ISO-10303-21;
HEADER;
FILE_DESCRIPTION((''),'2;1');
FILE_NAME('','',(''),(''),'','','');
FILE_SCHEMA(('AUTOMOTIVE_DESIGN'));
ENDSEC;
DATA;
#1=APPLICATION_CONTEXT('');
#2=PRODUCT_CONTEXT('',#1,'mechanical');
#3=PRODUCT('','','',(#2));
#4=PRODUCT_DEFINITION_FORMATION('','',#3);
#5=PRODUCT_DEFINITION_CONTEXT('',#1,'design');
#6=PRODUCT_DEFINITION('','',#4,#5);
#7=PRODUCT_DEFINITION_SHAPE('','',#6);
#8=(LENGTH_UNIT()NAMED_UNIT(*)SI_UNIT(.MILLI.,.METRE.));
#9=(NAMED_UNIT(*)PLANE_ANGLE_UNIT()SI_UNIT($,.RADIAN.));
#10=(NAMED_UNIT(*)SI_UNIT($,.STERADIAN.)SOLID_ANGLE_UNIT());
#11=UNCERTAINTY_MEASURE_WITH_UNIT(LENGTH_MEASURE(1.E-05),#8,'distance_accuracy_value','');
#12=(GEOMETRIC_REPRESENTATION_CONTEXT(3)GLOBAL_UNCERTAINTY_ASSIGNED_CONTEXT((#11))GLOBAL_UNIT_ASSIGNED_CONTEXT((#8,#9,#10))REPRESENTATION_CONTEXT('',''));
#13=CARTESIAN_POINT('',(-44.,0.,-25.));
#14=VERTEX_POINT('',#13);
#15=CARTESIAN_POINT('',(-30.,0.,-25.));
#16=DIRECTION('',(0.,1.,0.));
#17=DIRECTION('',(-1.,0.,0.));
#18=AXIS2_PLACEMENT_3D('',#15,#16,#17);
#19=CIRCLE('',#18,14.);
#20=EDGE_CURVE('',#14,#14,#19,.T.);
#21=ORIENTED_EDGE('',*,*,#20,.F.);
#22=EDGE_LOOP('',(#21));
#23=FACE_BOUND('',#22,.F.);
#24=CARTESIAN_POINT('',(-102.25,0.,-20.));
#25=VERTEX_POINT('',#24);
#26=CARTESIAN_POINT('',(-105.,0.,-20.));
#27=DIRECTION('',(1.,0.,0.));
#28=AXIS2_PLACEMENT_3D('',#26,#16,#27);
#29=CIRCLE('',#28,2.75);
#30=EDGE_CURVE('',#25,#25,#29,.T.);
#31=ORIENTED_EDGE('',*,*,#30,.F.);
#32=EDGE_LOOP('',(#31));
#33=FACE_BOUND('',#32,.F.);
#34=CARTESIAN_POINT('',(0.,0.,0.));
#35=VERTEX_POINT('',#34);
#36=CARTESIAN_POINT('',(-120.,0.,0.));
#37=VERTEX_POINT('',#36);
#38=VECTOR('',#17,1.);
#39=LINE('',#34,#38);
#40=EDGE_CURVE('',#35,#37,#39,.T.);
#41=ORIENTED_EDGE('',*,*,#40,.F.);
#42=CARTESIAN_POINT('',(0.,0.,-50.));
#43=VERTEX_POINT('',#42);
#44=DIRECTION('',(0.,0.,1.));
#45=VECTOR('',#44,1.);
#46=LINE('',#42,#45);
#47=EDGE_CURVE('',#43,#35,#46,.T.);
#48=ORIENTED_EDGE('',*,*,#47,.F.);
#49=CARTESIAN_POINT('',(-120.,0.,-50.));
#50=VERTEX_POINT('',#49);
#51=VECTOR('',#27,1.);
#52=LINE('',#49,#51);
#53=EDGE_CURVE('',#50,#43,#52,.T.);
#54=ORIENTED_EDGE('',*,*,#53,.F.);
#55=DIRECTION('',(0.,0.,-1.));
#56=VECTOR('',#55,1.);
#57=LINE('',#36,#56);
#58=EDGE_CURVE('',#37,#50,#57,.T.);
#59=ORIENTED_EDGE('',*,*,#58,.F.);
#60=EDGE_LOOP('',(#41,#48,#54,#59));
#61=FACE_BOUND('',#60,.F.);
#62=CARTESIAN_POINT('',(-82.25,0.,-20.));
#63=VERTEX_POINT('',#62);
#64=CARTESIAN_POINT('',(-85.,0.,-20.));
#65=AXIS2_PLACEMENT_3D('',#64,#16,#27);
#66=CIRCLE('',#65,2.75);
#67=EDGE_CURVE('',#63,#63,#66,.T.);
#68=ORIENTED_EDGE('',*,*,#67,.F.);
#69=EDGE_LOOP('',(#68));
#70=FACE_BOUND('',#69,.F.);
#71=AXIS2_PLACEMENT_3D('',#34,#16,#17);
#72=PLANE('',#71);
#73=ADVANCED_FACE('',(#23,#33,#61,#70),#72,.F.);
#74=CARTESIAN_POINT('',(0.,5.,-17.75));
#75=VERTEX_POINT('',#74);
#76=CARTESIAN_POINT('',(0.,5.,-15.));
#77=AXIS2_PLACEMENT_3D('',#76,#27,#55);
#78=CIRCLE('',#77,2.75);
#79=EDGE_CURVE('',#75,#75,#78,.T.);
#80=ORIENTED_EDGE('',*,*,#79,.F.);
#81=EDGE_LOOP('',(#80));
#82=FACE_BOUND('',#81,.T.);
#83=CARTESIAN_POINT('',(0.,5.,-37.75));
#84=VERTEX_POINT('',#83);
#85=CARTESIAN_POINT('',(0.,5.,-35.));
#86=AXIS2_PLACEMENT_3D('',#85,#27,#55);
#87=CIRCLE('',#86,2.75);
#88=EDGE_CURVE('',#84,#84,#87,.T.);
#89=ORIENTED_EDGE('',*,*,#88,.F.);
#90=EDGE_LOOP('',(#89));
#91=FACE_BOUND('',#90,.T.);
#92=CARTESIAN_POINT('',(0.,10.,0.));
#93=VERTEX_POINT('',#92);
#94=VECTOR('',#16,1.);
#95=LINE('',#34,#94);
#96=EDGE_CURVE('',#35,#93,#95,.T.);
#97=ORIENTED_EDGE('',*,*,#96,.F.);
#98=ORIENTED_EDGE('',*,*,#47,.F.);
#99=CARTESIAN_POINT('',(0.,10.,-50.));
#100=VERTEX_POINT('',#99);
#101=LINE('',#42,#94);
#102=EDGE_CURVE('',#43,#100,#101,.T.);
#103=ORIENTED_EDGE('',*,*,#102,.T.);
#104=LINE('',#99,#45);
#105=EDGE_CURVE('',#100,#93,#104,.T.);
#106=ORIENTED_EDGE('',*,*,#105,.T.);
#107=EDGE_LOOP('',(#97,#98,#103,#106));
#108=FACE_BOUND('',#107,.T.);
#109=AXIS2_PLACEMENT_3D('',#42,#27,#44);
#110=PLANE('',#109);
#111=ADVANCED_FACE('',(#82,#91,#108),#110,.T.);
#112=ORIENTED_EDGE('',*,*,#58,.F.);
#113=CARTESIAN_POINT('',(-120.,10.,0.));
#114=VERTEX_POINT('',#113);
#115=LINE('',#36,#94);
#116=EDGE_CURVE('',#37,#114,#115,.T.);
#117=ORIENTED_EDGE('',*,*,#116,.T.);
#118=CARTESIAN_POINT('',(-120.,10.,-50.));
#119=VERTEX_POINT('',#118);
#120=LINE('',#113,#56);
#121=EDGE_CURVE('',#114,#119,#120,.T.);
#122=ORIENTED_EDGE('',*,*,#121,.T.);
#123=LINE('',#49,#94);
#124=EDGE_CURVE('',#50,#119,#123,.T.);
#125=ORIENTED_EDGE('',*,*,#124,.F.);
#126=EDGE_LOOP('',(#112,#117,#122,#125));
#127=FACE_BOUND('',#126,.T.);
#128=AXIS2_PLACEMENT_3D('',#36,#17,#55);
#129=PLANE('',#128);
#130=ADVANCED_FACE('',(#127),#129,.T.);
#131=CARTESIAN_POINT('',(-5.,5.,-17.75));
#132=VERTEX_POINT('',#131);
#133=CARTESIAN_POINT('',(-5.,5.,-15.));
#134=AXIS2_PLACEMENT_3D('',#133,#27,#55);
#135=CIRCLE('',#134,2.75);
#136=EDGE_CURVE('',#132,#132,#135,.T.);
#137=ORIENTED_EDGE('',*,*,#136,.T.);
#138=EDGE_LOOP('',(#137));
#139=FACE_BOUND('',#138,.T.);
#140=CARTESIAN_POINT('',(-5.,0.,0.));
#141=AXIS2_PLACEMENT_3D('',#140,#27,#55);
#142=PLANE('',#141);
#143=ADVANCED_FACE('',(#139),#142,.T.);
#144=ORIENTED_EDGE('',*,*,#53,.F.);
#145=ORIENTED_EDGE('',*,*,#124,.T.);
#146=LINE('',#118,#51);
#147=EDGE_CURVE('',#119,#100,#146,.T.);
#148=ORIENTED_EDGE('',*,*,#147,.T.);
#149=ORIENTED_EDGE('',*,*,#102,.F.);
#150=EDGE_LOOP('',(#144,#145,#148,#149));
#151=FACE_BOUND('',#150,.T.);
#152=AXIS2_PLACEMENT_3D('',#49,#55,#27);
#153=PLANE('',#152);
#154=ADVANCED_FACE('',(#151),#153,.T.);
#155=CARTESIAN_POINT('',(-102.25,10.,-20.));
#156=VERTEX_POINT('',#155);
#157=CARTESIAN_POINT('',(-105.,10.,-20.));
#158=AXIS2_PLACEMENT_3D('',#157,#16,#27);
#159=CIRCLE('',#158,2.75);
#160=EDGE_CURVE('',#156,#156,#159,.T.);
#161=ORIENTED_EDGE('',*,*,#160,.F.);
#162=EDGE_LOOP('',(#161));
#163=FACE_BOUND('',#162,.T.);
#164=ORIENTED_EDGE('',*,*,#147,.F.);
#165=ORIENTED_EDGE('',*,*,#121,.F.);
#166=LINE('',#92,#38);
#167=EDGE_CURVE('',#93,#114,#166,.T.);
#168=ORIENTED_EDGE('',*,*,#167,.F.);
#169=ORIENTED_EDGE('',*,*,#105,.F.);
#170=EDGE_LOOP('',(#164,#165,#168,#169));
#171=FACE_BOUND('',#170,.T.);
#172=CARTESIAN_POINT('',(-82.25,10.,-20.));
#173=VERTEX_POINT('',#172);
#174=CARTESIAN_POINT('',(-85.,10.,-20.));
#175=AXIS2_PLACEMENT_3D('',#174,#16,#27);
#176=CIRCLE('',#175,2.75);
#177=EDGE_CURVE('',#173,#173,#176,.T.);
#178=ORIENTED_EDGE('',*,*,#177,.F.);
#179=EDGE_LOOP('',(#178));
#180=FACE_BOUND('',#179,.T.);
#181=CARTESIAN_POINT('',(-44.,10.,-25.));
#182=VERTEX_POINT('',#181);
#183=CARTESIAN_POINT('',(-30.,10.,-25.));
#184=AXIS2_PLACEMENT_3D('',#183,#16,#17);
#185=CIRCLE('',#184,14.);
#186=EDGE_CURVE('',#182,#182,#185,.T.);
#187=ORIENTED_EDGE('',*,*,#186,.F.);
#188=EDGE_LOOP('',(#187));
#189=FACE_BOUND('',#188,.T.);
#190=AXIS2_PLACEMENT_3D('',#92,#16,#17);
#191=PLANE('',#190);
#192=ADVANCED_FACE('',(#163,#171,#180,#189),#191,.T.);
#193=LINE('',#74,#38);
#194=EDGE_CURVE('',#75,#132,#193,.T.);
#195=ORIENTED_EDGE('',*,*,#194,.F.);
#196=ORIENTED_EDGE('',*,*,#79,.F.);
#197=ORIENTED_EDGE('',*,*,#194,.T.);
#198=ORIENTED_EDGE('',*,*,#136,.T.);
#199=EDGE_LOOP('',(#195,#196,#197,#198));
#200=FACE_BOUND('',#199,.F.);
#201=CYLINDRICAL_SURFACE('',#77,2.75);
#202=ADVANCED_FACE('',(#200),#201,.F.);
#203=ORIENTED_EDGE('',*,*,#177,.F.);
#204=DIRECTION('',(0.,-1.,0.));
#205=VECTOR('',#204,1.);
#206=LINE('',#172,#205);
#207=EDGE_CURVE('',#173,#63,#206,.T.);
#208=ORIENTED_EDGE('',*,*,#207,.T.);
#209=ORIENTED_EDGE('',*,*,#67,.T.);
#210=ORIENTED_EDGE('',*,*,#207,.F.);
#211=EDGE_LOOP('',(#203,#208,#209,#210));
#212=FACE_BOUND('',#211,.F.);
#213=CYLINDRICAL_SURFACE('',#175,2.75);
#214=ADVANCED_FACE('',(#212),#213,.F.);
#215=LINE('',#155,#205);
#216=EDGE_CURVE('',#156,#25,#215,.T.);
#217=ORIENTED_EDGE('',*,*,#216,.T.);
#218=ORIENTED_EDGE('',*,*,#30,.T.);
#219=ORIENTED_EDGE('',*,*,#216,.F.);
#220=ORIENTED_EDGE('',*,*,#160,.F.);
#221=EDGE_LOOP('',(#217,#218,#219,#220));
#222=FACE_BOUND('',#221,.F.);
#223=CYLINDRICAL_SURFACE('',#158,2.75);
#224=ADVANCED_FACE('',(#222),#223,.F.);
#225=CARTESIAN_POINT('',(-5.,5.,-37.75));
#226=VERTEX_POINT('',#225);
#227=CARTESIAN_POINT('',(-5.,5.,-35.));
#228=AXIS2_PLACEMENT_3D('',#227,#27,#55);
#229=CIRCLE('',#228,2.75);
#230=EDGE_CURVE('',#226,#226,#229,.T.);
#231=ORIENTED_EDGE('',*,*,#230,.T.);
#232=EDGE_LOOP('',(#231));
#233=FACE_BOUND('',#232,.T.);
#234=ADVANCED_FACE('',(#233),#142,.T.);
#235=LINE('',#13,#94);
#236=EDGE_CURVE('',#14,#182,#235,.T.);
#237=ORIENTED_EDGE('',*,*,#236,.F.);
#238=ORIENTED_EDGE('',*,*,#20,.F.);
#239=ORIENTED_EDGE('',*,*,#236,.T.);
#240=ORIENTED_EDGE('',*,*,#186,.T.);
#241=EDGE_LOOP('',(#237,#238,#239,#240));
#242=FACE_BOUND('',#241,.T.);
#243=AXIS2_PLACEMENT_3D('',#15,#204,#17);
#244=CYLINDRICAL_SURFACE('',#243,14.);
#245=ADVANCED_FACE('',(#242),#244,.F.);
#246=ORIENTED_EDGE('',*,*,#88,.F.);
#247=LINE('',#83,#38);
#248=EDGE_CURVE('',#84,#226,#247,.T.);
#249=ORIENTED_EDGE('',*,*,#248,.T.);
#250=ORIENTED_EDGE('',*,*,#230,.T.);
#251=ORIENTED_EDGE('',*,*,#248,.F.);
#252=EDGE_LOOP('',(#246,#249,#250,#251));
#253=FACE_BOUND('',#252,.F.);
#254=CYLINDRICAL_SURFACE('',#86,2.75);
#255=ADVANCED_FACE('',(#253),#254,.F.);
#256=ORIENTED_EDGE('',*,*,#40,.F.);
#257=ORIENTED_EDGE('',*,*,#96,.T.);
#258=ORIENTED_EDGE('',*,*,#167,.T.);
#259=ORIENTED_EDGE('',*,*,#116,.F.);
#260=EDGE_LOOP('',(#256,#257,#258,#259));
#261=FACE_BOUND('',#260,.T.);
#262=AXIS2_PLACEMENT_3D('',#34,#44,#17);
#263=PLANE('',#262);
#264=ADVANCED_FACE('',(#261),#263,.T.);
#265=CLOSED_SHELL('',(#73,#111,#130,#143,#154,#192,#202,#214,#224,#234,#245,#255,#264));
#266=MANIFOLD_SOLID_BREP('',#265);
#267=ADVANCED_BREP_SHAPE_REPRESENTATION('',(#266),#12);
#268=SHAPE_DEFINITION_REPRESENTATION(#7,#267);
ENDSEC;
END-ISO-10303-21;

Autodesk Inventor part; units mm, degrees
ref_plane "YZ Plane" through (0, 0, 0) normal (1, 0, 0) x (0, 1, 0)
ref_plane "XZ Plane" through (0, 0, 0) normal (0, 1, 0) x (-1, 0, 0)
ref_plane "XY Plane" through (0, 0, 0) normal (0, 0, 1) x (1, 0, 0)
sketch "Sketch1" plane through (0, 0, 0) normal (0, 1, 0) x (-1, 0, 0)
  line L0 (0, 0) -> (120, 0)
  line L1 (120, 0) -> (120, -50)
  line L2 (120, -50) -> (0, -50)
  line L3 (0, -50) -> (0, 0)
  circle A0 centre (30, -25) radius 14
  dimension "d0" = 120
  dimension "d1" = 50
  dimension "d4" = 28
  dimension "d5" = 30
extrude "Extrusion2" add sketch "Sketch1" along normal blind 10
sketch "Sketch2" plane through (0, 10, 0) normal (0, 1, 0) x (1, 0, 0)
  circle A0 centre (-105, 20) radius 2.75
  line L0 (-120, 50) -> (-120, 0) projected
  line L1 (0, 50) -> (-120, 50) projected
  circle A1 centre (-85, 20) radius 2.75
  line L2 (-120, 0) -> (0, 0) projected
  dimension "d8" = 5.5
  dimension "d9" = 50
  dimension "d11" = 15
  dimension "d14" = 20
  dimension "d21" = 20
extrude "Extrusion3" cut sketch "Sketch2" against normal blind 10
sketch "Sketch3" plane through (0, 0, 0) normal (1, 0, 0) x (0, 0, -1)
  circle A0 centre (15, 5) radius 2.75
  line L0 (0, 10) -> (50, 10) projected
  line L1 (0, 0) -> (0, 10) projected
  circle A1 centre (35, 5) radius 2.75
  dimension "d22" = 5.5
  dimension "d23" = 10
  dimension "d24" = 50
  dimension "d25" = 5
  dimension "d28" = 20
  dimension "d33" = 15
extrude "Extrusion4" cut sketch "Sketch3" against normal blind 5
equation "\"d25\" = 0.5 * d23"
equation "\"d33\" = -0.5 * d28 + 0.5 * d24"
properties part number "DriverElevatorConnection" material "Steel, Carbon"
